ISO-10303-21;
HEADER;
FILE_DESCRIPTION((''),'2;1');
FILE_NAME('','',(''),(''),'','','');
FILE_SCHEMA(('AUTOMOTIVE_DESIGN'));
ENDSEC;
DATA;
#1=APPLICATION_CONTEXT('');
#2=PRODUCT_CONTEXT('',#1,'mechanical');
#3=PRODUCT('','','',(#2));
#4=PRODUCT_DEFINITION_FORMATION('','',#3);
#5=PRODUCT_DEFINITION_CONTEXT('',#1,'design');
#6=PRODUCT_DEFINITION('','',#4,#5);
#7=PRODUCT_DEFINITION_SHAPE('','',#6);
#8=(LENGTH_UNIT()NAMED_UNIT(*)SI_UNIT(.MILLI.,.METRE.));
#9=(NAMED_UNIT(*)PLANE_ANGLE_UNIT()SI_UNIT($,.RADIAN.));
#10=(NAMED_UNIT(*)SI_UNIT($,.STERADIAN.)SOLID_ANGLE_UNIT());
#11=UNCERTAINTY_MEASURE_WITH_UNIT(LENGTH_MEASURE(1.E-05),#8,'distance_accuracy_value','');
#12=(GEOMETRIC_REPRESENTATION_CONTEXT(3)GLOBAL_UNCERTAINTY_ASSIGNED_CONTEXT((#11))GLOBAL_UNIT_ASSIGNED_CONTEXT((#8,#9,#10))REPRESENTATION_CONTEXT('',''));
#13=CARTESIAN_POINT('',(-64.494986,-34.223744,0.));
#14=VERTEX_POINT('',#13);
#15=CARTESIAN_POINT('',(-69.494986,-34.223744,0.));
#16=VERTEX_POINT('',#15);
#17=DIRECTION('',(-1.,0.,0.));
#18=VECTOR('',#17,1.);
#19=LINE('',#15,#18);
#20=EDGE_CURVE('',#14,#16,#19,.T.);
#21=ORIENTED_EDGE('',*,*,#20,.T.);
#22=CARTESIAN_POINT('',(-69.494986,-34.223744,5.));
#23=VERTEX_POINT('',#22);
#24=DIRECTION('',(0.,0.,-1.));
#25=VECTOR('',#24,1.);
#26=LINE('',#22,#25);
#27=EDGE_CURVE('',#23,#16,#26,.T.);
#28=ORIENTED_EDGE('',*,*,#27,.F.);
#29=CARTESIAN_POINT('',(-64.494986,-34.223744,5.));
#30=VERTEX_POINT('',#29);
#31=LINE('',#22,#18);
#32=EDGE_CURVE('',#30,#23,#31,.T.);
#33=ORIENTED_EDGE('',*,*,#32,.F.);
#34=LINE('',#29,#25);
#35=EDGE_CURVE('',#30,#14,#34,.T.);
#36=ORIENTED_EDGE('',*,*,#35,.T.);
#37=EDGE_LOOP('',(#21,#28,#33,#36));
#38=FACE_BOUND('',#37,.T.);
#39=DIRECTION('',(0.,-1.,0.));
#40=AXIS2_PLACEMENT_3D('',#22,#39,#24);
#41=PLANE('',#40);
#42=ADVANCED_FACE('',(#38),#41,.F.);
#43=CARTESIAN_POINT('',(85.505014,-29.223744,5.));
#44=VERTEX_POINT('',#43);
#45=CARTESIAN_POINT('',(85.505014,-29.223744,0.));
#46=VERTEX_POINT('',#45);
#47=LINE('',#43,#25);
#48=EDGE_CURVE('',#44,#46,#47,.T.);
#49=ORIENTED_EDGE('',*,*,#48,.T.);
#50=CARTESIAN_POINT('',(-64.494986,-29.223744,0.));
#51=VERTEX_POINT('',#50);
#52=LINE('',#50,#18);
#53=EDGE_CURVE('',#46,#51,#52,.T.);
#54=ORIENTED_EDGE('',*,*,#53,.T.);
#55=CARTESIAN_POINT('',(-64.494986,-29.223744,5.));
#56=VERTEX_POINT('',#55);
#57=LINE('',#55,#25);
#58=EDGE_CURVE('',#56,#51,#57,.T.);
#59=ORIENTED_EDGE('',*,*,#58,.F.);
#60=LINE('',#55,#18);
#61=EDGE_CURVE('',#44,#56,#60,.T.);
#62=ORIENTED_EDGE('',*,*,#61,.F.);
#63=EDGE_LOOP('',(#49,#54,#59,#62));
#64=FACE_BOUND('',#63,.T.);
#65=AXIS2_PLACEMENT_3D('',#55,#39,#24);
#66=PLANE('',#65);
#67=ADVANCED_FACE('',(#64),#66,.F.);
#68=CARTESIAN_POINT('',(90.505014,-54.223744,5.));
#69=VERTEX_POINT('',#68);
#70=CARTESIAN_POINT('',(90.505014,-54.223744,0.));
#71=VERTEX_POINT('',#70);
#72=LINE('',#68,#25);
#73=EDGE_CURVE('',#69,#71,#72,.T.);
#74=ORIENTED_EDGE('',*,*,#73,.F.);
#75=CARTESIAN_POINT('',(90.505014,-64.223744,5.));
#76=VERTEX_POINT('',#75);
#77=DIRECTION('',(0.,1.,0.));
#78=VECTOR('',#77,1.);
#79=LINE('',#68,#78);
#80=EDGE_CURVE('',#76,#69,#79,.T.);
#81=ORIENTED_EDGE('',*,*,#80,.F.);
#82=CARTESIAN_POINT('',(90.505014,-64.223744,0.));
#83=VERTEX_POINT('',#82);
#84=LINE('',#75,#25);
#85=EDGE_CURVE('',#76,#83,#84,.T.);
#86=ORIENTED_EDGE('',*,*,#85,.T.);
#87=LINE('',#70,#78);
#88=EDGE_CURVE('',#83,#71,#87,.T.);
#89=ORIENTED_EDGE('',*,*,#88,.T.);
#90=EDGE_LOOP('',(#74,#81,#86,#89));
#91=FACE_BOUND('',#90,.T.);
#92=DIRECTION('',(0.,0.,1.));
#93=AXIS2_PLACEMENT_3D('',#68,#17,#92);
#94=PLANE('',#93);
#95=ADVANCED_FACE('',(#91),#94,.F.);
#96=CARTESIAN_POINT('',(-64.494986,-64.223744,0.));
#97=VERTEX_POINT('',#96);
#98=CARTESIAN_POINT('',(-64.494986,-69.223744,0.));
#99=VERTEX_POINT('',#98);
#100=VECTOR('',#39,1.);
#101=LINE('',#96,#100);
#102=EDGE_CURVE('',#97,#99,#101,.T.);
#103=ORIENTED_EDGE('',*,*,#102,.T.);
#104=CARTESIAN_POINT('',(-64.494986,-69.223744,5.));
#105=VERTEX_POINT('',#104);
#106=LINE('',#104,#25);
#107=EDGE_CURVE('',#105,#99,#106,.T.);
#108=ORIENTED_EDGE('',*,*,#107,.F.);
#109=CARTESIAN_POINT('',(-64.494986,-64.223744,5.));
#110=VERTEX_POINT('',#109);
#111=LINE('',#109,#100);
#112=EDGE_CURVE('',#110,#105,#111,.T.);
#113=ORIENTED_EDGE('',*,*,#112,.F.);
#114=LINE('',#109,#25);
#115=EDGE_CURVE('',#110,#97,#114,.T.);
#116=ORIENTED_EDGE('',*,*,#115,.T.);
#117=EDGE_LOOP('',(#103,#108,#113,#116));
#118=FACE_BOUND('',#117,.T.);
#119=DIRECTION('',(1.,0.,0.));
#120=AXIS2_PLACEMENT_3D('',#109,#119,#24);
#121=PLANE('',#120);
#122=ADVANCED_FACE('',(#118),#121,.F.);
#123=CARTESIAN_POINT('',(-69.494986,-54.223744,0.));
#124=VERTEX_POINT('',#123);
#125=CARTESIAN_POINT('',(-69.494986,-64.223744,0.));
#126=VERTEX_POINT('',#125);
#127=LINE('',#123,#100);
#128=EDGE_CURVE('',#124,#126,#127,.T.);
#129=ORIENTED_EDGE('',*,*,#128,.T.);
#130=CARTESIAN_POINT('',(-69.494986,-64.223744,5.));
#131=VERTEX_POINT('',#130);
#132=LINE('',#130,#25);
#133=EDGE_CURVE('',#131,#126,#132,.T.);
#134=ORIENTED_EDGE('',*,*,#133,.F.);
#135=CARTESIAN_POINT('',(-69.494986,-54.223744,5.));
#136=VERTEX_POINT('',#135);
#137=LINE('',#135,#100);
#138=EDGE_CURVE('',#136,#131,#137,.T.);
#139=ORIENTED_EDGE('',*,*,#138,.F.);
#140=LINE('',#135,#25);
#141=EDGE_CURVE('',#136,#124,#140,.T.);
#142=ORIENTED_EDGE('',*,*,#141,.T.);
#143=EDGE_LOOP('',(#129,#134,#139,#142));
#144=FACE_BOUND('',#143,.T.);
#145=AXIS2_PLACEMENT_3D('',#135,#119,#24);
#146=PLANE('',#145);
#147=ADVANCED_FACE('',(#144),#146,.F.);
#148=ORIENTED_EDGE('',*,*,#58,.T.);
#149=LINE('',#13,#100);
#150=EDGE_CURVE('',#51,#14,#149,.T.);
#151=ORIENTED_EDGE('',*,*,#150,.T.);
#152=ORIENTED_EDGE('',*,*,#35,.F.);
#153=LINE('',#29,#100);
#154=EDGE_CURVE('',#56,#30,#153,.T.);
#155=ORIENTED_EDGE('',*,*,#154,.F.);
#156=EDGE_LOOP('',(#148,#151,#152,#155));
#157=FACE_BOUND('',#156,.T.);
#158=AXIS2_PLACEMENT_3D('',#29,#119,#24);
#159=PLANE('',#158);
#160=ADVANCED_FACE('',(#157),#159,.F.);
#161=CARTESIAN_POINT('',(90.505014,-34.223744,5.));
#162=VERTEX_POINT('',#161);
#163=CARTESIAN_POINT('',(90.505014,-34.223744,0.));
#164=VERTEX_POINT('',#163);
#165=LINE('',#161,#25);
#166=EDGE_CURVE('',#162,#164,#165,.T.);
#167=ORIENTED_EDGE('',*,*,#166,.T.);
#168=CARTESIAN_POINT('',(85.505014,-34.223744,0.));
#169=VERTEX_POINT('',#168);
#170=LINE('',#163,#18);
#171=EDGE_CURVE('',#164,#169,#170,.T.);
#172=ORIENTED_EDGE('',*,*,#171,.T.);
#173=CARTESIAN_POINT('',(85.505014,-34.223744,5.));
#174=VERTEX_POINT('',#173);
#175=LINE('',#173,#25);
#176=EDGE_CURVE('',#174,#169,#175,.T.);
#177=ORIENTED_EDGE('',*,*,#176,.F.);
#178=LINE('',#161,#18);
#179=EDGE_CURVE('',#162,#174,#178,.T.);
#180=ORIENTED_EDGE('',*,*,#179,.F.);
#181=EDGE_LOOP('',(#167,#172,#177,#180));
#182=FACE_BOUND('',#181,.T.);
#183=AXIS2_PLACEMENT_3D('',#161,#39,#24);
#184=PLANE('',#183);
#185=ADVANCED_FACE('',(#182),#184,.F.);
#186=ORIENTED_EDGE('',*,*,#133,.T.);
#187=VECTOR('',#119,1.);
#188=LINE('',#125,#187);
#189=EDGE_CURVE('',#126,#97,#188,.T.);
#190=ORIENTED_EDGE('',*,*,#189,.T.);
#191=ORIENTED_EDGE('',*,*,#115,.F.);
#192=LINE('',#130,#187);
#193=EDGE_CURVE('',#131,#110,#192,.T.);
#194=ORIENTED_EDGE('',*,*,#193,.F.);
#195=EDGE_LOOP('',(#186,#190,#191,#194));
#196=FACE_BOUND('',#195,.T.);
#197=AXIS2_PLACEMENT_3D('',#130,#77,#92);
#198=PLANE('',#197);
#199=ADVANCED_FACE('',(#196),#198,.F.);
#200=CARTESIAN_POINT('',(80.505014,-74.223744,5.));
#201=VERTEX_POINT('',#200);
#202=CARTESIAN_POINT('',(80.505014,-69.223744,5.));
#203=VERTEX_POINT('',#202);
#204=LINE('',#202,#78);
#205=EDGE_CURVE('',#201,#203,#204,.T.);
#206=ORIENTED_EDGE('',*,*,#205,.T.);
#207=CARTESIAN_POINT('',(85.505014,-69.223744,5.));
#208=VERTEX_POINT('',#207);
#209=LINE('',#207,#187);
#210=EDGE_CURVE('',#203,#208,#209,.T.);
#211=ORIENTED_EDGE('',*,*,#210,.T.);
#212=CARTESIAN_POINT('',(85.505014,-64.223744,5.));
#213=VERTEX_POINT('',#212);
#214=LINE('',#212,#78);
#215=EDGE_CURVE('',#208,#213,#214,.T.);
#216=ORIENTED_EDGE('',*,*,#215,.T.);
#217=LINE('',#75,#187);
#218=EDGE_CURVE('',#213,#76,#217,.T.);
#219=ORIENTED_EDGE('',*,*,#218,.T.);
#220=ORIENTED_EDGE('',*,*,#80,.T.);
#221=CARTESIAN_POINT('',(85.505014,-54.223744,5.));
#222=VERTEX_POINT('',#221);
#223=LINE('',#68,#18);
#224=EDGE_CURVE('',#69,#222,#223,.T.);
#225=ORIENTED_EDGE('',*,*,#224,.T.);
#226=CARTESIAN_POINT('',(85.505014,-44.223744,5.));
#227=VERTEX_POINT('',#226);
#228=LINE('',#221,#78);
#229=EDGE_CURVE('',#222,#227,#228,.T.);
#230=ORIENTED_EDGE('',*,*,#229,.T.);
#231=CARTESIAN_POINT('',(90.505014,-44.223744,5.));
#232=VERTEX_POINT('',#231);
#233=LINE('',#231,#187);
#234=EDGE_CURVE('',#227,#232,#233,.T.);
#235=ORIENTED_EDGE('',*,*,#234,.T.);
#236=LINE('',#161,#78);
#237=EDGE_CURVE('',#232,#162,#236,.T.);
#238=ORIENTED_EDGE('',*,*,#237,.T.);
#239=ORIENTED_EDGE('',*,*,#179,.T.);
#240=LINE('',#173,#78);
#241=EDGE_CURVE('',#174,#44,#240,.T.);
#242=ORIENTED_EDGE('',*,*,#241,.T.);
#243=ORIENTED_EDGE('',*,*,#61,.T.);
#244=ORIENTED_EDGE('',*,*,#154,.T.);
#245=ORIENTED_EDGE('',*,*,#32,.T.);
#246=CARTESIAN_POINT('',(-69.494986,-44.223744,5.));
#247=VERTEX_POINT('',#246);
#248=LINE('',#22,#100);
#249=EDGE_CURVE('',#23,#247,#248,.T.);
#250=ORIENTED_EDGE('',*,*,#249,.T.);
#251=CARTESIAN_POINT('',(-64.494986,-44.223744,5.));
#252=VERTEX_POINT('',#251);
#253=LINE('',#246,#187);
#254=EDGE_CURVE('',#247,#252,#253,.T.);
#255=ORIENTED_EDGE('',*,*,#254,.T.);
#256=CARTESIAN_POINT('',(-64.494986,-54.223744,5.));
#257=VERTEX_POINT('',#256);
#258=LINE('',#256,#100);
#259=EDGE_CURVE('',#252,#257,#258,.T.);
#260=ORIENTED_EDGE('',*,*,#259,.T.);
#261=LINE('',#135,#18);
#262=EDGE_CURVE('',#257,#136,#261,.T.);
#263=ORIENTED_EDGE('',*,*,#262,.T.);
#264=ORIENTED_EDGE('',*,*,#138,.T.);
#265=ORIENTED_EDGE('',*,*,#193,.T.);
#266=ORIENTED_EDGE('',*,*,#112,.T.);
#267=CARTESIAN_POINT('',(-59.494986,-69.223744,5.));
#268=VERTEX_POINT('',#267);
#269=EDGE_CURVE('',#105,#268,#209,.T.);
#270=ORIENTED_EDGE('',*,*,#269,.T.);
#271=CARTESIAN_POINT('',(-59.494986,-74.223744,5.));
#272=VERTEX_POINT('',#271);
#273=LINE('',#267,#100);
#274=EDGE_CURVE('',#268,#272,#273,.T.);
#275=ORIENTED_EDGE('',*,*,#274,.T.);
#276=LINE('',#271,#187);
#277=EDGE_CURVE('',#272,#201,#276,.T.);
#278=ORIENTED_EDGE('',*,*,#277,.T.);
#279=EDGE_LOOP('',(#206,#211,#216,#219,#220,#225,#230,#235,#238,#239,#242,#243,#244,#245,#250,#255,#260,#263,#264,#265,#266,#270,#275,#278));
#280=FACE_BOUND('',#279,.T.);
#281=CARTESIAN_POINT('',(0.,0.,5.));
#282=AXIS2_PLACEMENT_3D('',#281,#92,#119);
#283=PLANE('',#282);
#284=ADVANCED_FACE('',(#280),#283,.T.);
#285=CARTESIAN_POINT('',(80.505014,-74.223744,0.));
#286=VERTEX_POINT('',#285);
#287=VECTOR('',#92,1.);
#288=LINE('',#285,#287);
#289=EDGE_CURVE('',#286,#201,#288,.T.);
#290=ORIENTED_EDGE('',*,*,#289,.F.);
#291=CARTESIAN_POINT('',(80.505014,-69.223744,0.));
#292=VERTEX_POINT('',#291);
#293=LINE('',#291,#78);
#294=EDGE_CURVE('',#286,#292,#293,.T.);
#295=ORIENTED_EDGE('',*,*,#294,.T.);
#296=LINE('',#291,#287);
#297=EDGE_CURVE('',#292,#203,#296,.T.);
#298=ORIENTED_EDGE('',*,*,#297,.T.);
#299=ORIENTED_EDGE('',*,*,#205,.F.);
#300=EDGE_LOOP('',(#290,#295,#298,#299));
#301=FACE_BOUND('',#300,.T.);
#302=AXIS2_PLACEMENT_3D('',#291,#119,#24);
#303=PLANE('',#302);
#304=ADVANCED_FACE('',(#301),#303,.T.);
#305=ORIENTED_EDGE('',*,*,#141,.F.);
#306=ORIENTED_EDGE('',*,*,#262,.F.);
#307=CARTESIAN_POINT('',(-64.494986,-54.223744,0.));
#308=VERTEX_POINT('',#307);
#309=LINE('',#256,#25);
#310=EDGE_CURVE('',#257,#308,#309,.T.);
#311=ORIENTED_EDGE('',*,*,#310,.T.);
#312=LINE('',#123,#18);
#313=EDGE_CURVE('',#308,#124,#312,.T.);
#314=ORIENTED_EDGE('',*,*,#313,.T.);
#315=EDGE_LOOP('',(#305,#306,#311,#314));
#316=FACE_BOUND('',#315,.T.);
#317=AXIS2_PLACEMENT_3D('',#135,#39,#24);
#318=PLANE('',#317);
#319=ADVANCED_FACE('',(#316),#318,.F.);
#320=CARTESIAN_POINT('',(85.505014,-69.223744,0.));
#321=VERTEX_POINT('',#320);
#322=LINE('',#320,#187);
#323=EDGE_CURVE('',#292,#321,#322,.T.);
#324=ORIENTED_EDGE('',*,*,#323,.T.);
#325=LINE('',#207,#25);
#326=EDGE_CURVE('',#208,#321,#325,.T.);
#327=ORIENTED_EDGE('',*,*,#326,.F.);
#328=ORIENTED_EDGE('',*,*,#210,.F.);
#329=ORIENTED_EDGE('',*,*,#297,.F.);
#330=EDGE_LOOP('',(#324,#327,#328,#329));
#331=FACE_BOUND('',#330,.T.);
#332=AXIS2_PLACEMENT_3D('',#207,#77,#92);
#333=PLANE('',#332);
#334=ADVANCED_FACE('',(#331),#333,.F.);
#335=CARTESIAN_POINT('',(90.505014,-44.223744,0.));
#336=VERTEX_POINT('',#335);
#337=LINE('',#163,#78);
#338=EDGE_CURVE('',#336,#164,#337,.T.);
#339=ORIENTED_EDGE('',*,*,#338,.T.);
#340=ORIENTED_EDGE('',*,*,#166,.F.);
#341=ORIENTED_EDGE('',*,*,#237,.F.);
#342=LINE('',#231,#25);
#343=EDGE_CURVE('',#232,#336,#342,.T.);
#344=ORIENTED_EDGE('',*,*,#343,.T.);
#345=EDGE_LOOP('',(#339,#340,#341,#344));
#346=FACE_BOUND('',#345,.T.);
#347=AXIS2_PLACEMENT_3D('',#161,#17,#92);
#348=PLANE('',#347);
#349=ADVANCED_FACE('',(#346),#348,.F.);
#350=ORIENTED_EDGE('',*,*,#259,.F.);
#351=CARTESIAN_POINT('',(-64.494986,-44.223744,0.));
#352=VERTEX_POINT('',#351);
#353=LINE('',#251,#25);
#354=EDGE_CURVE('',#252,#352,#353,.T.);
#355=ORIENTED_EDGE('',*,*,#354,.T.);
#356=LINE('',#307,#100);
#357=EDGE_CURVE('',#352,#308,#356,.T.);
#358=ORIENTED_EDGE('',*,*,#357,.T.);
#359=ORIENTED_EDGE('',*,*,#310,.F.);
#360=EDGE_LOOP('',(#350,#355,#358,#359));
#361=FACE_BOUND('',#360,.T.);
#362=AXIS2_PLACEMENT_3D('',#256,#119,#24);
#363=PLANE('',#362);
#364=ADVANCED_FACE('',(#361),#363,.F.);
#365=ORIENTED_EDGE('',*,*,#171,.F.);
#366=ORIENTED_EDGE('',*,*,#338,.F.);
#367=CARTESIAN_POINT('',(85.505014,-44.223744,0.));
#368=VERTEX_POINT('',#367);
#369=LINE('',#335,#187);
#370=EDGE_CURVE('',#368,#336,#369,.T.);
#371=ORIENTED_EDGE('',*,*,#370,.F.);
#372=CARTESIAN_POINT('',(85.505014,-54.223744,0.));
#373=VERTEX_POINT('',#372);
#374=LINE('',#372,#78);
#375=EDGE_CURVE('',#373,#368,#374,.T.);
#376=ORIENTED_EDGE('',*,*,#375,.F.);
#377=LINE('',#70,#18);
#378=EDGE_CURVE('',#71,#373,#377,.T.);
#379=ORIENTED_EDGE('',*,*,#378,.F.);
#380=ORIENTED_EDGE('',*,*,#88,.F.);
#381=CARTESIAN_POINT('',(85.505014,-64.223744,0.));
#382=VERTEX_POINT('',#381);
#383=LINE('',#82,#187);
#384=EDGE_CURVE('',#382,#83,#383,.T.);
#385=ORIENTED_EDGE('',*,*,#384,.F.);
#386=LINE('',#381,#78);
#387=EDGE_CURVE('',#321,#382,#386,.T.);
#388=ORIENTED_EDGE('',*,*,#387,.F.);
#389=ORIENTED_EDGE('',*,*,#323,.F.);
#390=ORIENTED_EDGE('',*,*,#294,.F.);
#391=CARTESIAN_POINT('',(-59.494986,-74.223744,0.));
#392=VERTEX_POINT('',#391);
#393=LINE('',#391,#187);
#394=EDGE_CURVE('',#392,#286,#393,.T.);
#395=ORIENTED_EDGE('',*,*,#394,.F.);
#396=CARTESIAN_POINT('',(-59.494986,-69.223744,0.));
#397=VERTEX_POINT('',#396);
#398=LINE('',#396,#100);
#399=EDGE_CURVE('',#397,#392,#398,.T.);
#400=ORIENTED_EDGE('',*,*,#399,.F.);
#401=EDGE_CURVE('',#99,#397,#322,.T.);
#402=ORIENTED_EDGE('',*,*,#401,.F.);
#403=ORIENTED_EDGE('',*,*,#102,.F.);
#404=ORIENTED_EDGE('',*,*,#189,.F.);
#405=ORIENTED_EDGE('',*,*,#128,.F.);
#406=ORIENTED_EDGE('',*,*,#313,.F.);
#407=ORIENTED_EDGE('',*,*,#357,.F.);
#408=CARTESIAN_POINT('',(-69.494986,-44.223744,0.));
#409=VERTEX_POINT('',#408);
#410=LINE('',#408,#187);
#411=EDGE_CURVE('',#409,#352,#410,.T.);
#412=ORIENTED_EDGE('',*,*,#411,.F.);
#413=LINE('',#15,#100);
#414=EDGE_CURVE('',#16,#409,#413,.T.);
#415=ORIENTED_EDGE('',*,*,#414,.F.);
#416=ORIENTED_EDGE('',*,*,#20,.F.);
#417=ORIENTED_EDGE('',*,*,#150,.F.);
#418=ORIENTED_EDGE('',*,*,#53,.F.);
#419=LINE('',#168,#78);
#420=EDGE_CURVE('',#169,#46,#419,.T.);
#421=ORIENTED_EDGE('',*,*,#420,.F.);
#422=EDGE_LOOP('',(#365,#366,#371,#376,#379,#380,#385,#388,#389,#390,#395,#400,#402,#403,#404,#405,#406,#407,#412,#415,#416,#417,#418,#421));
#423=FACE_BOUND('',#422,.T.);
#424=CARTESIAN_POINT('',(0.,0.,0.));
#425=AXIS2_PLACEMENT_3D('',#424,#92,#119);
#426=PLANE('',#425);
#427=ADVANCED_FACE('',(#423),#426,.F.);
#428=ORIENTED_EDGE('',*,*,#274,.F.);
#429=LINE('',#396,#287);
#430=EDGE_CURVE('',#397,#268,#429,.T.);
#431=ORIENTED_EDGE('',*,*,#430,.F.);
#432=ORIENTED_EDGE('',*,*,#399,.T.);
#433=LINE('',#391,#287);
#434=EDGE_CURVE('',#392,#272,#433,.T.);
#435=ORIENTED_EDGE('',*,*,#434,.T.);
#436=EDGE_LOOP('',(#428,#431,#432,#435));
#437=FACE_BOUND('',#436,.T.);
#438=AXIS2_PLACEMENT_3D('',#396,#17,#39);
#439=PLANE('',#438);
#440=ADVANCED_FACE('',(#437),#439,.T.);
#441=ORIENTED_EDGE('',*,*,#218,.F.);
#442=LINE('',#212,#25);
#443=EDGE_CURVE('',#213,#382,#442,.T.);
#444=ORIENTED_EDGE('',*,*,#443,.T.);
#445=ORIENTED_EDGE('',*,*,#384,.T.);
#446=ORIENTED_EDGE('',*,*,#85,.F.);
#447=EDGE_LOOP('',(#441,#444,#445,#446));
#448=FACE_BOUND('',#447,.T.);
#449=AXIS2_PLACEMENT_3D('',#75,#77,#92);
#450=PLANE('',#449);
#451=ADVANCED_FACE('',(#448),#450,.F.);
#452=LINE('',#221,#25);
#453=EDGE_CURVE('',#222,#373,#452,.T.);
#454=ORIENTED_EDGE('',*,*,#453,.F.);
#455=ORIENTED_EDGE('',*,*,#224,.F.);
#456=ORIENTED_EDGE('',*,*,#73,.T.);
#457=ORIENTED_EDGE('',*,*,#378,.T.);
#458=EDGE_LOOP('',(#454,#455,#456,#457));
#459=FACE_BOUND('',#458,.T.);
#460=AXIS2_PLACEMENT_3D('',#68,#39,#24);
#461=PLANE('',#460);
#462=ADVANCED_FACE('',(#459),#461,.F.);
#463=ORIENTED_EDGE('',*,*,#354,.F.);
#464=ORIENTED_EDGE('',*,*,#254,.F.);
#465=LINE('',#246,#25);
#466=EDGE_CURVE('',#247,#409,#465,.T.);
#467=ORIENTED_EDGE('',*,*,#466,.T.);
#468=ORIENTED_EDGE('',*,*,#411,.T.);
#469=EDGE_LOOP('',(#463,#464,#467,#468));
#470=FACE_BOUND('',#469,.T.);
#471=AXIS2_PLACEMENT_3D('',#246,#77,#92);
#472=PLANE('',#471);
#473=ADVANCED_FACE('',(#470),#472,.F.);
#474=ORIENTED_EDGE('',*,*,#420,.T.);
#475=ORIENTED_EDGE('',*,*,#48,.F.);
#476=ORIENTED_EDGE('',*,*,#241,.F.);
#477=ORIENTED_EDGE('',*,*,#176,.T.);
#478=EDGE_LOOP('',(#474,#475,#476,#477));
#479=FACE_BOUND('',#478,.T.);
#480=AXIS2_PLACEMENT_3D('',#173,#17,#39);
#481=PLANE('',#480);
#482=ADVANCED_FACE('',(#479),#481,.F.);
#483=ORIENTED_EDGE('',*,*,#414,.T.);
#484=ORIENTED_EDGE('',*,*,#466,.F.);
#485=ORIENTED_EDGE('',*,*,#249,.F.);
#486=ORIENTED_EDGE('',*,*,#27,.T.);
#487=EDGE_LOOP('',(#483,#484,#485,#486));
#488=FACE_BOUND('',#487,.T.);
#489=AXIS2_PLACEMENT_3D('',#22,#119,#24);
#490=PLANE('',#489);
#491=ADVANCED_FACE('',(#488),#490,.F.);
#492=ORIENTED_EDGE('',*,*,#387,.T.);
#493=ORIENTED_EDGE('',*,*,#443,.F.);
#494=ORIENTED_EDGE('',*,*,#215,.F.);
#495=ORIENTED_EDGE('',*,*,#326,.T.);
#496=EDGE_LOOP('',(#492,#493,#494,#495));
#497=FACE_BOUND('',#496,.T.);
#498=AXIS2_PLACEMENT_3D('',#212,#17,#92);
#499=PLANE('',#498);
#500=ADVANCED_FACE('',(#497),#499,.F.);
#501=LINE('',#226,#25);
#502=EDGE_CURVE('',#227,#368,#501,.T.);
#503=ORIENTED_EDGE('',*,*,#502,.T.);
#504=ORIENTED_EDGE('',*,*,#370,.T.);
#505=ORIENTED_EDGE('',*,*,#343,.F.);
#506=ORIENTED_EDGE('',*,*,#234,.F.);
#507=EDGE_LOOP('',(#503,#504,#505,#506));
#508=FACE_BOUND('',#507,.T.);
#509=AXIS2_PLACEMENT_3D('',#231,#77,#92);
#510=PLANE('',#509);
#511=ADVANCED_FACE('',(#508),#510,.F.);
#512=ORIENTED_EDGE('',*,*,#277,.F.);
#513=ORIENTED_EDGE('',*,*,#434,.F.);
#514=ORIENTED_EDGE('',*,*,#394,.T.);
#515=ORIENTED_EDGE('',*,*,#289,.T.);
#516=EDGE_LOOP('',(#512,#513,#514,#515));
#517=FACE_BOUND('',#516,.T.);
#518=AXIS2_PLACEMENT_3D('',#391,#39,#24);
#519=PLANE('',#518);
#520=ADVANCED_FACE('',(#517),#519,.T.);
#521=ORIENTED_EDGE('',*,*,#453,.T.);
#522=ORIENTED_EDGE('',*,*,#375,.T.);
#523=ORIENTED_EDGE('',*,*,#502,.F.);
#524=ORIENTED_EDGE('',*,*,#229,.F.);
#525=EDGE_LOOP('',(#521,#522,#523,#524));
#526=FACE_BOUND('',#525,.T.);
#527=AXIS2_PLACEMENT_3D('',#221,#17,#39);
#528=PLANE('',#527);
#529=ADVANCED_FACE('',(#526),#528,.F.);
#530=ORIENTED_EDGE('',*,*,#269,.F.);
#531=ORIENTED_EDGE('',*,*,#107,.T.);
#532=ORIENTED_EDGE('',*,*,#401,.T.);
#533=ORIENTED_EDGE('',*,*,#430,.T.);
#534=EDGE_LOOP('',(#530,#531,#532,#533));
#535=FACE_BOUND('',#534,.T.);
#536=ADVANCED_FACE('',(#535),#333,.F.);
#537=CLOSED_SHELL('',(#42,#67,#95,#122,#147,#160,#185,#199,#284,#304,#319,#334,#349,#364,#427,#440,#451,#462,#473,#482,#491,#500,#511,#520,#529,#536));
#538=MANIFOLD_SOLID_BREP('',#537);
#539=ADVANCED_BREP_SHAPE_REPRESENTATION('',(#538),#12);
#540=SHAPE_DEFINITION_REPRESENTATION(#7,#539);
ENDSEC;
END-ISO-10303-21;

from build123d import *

# Parameters (mm, degrees)
BOSS_EXTRU_1_DEPTH = 5
ESQUISSE2_W        = 140
ESQUISSE2_H        = 5
BOSS_EXTRU_2_DEPTH = 5


with BuildPart() as part:
    # Esquisse1 → Boss.-Extru.1 (new body)
    with BuildSketch(Plane.XY):
        Polygon((85.505013729, -34.223744292), (85.505013729, -29.223744292), (-64.494986271, -29.223744292), (-64.494986271, -34.223744292), (-69.494986271, -34.223744292), (-69.494986271, -44.223744292), (-64.494986271, -44.223744292), (-64.494986271, -54.223744292), (-69.494986271, -54.223744292), (-69.494986271, -64.223744292), (-64.494986271, -64.223744292), (-64.494986271, -69.223744292), (85.505013729, -69.223744292), (85.505013729, -64.223744292), (90.505013729, -64.223744292), (90.505013729, -54.223744292), (85.505013729, -54.223744292), (85.505013729, -44.223744292), (90.505013729, -44.223744292), (90.505013729, -34.223744292), align=None)
    extrude(amount=BOSS_EXTRU_1_DEPTH)

    # Esquisse2 → Boss.-Extru.2 (add)
    with BuildSketch(Plane.XY.offset(5)):
        with Locations((10.505013729, -71.723744292)):
            Rectangle(ESQUISSE2_W, ESQUISSE2_H)
    extrude(amount=-BOSS_EXTRU_2_DEPTH)


solid = part.part
